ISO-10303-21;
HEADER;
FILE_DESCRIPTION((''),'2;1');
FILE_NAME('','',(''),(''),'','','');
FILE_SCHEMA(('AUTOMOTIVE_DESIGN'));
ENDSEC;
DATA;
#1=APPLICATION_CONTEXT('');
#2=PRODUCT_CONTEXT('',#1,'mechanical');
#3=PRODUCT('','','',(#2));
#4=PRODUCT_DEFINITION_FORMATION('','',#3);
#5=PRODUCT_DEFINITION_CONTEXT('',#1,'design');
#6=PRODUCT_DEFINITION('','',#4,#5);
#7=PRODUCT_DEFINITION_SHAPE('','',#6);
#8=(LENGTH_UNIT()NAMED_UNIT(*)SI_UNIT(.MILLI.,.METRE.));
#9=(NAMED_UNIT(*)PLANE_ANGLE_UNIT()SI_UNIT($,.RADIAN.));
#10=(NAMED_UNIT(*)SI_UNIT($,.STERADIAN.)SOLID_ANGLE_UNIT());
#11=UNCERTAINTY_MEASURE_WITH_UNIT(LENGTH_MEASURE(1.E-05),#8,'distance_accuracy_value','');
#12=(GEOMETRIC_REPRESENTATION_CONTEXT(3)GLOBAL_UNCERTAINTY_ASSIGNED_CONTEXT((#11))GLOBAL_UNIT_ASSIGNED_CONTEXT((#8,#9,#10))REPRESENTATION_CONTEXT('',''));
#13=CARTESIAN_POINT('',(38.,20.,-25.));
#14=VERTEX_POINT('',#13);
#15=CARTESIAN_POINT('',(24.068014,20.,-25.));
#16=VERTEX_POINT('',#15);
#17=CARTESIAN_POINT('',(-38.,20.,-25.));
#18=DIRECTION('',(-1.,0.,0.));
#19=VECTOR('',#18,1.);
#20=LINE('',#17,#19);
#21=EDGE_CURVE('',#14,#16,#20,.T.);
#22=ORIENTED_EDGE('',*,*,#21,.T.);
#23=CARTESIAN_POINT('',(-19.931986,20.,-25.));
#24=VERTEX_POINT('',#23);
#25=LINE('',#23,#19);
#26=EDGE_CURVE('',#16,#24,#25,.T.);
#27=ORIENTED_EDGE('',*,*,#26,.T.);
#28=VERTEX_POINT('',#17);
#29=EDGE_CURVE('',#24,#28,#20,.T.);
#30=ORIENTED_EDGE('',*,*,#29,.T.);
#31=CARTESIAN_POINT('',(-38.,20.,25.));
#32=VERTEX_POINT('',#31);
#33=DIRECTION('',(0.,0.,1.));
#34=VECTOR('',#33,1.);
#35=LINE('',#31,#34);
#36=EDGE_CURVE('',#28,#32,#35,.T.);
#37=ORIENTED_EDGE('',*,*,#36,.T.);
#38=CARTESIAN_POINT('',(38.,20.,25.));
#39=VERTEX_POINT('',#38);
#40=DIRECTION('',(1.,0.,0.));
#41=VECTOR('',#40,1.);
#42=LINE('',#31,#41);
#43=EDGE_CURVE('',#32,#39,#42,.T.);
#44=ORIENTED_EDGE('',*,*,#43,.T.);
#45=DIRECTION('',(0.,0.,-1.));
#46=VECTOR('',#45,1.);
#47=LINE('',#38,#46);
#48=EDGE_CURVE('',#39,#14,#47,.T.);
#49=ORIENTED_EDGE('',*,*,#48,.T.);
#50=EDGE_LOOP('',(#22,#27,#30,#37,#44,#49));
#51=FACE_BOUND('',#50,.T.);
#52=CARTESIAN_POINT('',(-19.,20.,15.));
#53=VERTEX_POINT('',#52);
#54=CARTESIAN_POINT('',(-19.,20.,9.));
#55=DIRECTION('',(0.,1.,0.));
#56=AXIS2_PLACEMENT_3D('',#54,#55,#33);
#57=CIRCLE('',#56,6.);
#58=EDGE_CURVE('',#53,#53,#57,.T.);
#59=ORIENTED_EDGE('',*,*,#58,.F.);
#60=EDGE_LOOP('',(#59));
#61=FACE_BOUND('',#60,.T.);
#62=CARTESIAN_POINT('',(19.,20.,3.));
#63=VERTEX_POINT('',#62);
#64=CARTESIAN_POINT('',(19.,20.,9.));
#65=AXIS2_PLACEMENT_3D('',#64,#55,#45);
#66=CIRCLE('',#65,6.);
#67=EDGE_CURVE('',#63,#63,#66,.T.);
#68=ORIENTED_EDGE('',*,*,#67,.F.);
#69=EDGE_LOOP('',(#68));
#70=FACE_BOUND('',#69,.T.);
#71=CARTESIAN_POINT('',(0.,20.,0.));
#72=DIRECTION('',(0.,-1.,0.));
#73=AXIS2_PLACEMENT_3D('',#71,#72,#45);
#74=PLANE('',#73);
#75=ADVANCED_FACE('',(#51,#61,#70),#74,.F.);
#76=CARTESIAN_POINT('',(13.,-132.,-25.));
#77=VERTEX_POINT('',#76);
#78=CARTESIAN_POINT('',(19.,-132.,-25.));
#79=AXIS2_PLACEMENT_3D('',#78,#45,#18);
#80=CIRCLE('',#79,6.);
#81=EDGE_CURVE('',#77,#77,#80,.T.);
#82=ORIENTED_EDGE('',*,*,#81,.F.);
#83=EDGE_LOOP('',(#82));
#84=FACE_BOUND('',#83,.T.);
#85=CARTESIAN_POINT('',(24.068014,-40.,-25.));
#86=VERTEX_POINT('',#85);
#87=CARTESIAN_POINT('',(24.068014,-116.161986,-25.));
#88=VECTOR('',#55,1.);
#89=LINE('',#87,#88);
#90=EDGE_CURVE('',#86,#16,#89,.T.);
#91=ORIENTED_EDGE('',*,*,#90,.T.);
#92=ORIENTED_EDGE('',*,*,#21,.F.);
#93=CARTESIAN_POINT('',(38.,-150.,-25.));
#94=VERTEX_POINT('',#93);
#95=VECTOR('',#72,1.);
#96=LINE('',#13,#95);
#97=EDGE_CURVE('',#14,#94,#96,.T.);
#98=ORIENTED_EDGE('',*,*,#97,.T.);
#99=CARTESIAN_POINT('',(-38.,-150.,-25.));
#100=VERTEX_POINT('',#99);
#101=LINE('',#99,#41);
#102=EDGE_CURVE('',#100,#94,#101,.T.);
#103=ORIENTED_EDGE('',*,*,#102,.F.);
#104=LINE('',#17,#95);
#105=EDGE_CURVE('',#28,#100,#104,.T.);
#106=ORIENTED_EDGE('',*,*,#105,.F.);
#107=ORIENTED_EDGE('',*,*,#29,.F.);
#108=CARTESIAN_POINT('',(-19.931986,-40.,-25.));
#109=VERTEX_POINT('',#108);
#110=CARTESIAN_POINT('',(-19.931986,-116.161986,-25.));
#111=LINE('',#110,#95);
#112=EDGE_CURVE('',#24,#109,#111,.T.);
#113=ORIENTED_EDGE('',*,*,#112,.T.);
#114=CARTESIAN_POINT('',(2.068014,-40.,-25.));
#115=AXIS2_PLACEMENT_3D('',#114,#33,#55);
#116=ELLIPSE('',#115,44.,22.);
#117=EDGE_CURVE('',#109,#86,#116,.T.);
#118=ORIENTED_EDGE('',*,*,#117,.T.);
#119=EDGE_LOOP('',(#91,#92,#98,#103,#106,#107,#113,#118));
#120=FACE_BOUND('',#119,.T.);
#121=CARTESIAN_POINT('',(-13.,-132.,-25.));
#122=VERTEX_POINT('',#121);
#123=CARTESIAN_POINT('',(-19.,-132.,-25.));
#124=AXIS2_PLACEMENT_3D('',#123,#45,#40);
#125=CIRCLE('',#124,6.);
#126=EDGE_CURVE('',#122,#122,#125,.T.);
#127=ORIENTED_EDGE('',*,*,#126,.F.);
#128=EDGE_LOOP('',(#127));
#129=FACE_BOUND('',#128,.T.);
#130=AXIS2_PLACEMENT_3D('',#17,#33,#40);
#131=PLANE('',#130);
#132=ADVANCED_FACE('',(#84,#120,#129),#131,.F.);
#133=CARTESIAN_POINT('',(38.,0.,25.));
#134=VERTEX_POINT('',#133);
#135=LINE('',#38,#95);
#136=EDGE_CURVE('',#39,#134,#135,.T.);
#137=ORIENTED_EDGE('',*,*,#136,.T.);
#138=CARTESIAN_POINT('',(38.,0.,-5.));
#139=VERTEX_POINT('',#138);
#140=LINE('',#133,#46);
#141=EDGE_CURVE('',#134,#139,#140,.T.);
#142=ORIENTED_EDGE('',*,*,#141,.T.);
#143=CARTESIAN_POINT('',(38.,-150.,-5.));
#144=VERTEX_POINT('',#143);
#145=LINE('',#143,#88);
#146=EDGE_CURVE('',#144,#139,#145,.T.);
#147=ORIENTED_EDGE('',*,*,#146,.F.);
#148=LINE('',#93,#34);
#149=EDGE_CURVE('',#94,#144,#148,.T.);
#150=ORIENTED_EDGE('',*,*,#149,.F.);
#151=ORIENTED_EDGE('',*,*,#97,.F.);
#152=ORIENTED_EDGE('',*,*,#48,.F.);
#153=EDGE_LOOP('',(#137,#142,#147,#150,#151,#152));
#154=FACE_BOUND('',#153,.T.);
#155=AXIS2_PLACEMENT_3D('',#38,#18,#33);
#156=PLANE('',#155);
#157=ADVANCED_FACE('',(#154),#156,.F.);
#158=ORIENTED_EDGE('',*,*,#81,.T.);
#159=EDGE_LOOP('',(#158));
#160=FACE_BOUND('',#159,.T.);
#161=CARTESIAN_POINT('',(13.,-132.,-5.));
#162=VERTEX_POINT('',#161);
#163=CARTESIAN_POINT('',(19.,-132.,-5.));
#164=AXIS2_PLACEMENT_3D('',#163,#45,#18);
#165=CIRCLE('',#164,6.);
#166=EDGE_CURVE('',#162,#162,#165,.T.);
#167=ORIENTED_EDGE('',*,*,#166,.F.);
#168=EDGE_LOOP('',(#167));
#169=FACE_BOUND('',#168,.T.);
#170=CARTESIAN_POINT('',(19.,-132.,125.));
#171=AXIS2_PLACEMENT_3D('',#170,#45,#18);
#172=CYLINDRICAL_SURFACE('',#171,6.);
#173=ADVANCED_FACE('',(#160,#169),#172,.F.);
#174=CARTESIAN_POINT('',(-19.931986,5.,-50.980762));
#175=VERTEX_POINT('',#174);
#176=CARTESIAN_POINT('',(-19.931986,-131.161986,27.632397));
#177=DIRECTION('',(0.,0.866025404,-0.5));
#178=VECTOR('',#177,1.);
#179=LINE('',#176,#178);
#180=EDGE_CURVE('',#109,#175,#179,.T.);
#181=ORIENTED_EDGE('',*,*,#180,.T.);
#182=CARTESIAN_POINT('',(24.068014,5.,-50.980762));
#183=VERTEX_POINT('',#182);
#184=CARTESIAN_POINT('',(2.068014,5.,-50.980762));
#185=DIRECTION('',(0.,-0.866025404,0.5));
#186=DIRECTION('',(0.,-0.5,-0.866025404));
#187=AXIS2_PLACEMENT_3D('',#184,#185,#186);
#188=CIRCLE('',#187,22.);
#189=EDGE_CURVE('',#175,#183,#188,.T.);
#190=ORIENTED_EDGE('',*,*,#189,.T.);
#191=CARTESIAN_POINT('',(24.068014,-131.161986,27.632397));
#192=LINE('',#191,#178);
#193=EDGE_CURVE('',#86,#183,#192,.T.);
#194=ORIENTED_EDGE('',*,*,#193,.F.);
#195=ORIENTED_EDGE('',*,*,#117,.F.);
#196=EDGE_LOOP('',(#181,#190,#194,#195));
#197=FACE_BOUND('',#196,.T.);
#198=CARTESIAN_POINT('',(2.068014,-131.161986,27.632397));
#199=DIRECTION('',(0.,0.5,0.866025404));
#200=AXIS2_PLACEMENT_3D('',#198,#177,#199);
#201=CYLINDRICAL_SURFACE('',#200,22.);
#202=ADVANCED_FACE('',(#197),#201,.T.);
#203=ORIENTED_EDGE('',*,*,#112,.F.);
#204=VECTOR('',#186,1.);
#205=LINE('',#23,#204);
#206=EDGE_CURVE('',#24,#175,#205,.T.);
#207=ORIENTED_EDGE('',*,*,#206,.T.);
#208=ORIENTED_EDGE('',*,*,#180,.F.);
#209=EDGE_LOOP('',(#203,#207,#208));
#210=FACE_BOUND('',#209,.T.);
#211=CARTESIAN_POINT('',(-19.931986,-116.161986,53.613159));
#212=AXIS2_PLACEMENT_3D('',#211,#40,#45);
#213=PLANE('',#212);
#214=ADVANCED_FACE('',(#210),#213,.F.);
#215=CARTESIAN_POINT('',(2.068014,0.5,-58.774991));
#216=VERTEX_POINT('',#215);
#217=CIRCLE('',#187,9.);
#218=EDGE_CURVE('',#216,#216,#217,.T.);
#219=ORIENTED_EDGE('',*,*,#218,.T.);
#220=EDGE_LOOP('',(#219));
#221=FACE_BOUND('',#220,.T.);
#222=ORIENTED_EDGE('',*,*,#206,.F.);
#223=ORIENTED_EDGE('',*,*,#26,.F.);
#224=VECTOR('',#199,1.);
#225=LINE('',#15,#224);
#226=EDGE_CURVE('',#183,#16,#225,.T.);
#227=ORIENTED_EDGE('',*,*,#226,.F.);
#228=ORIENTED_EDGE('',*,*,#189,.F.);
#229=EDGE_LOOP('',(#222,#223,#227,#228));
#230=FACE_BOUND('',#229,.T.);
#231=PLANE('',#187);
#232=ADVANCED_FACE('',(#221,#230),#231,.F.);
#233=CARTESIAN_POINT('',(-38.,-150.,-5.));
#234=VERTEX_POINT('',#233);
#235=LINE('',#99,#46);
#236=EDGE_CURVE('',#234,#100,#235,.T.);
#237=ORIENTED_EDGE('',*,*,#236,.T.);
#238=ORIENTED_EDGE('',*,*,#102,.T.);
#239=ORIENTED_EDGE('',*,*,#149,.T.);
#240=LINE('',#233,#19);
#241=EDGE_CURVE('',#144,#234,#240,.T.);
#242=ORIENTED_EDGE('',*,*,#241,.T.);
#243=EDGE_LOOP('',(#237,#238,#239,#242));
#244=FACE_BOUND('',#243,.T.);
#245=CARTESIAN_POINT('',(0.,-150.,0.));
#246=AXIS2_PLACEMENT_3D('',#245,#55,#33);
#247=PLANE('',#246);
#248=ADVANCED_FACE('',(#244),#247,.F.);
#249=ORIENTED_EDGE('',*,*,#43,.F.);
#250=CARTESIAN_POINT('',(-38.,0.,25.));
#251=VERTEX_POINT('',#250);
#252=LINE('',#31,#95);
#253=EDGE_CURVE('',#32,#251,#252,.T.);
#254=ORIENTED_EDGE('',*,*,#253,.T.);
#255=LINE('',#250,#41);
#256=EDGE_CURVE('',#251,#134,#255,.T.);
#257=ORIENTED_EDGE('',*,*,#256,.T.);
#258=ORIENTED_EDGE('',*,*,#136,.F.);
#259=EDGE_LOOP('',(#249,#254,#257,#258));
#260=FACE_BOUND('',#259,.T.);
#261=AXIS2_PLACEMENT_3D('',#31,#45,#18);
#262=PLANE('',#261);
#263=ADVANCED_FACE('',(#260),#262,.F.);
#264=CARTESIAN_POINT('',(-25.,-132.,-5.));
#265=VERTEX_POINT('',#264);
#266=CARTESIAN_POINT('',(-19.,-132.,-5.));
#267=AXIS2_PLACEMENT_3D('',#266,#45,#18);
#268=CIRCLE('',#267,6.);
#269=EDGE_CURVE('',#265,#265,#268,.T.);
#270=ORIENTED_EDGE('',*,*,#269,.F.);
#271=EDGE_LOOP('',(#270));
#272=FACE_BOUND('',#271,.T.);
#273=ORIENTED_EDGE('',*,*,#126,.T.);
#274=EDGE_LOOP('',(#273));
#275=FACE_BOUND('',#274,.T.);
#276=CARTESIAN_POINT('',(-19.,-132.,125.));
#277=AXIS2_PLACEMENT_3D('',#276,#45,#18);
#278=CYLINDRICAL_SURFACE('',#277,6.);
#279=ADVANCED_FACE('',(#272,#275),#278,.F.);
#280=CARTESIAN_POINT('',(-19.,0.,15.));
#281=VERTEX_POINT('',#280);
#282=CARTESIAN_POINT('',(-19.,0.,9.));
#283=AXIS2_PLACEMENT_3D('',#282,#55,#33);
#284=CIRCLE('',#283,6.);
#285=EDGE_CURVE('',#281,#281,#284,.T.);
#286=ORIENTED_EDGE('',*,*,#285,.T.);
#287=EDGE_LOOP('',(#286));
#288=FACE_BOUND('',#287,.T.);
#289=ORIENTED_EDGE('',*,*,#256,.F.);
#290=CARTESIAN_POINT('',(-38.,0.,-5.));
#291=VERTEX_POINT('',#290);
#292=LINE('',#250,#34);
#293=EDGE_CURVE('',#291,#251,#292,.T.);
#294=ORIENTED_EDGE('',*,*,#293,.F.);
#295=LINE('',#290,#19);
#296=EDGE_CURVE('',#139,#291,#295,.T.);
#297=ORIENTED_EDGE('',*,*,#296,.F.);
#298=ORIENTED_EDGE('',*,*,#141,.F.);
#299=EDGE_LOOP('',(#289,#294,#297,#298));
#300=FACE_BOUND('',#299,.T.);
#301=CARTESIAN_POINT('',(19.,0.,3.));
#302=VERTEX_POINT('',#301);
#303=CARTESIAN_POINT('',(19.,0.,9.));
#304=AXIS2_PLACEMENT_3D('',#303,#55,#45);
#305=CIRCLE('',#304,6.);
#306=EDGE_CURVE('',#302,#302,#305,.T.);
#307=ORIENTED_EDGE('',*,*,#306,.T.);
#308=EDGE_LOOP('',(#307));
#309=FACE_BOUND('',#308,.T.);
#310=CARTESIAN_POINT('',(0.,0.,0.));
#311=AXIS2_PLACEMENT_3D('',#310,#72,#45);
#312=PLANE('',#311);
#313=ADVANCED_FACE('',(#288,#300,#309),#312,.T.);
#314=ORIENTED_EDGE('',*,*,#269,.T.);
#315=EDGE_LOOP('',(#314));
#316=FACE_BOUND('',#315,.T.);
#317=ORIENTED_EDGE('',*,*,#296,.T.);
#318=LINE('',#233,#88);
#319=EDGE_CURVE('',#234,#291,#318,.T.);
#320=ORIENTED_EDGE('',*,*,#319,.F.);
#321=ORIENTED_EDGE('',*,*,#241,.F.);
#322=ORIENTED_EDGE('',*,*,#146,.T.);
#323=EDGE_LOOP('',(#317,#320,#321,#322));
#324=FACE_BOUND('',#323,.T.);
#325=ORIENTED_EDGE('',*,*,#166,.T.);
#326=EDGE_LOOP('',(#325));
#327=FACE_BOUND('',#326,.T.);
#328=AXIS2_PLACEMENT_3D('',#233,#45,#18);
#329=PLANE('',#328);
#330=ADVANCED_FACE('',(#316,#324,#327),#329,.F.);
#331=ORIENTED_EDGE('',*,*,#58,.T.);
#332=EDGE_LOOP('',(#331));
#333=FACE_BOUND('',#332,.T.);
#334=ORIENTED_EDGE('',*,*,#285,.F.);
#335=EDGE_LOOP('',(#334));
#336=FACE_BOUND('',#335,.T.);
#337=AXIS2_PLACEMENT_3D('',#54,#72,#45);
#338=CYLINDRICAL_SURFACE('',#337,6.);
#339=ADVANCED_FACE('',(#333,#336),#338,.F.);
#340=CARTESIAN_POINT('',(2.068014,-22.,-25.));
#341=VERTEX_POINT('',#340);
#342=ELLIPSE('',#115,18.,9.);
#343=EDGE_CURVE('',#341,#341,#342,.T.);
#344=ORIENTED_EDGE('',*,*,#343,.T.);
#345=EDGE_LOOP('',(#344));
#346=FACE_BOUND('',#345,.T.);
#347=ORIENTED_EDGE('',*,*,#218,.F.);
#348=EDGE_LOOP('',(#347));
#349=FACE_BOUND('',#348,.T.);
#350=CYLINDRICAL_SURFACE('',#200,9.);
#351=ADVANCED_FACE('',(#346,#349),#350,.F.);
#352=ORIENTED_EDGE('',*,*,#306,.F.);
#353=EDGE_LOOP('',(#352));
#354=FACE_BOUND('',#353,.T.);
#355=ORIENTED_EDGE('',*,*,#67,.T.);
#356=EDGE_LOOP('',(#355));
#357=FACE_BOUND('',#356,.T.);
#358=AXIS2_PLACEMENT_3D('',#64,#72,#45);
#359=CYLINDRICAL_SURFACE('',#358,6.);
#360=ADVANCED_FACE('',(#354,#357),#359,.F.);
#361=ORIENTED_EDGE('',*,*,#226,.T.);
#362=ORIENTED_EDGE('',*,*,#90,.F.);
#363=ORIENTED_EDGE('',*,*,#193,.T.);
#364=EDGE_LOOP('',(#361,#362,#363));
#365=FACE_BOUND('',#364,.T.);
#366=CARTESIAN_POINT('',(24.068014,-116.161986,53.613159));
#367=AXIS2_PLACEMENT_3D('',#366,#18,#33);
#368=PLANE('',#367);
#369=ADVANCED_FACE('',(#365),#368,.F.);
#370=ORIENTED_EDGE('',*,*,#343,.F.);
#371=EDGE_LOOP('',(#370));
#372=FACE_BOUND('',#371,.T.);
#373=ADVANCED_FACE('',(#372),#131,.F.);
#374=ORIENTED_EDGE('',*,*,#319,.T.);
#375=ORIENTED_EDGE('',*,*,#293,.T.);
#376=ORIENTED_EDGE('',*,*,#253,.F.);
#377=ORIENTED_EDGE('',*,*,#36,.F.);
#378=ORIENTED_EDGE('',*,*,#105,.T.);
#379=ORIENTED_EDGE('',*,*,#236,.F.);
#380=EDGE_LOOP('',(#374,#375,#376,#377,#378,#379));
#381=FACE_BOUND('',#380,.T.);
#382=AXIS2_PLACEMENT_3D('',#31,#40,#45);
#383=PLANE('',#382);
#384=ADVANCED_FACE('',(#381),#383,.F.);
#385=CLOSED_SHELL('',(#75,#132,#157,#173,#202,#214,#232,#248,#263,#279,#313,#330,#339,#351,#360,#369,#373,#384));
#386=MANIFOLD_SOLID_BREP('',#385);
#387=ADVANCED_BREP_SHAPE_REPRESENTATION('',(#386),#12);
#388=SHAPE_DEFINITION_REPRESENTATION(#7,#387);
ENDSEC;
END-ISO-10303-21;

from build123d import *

# Parameters (mm, degrees)
SKETCH1_W           = 76
SKETCH1_H           = 50
SKETCH1_R           = 6
BOSS_EXTRUDE1_DEPTH = 20
SKETCH2_W           = 76
SKETCH2_H           = 20
BOSS_EXTRUDE2_DEPTH = 150
SKETCH3_R           = 6
CUT_EXTRUDE1_DEPTH  = 150
BOSS_EXTRUDE3_REACH = 186.259
SKETCH5_R           = 9


with BuildPart() as part:
    # Sketch1 → Boss-Extrude1 (new body)
    with BuildSketch(Plane(origin=(0, 0, 0), x_dir=(1, 0, 0), z_dir=(0, 1, 0))):
        Rectangle(SKETCH1_W, SKETCH1_H)
        with Locations(Location((-19, -9, 0), (0, 0, 270))):
            Circle(SKETCH1_R, mode=Mode.SUBTRACT)
        with Locations(Location((19, -9, 0), (0, 0, 90))):
            Circle(SKETCH1_R, mode=Mode.SUBTRACT)
    extrude(amount=BOSS_EXTRUDE1_DEPTH)

    # Sketch2 → Boss-Extrude2 (add)
    with BuildSketch(Plane.XZ):
        with Locations((0, -15)):
            Rectangle(SKETCH2_W, SKETCH2_H)
    extrude(amount=BOSS_EXTRUDE2_DEPTH)

    # Sketch3 → Cut-Extrude1 (cut)
    with BuildSketch(Plane(origin=(0, 0, -25), x_dir=(-1, 0, 0), z_dir=(0, 0, -1))):
        with Locations((-19, -132)):
            Circle(SKETCH3_R)
        with Locations((19, -132)):
            Circle(SKETCH3_R)
    extrude(amount=-CUT_EXTRUDE1_DEPTH, mode=Mode.SUBTRACT)

    # Sketch5 → Boss-Extrude3 (add, up to next)
    with BuildSketch(Plane(origin=(0, 25.825317547, -14.910254038), x_dir=(1, 0, 0), z_dir=(0, -0.8660254037844399, 0.4999999999999977)), mode=Mode.PRIVATE) as boss_extrude3_sk1:
        with BuildLine():
            Line((-19.931985631, -11.650635095), (24.068014369, -11.650635095))
            Line((24.068014369, -11.650635095), (24.068014369, -41.650635095))
            ThreePointArc((24.068014369, -41.650635095), (2.068014369, -63.650635095), (-19.931985631, -41.650635095))
            Line((-19.931985631, -41.650635095), (-19.931985631, -11.650635095))
        make_face()
        with Locations(Location((2.068014369, -41.650635095, 0), (0, 0, 90))):
            Circle(SKETCH5_R, mode=Mode.SUBTRACT)
    boss_extrude3_tool1 = extrude(boss_extrude3_sk1.sketch, amount=BOSS_EXTRUDE3_REACH, mode=Mode.PRIVATE) - part.part
    add(boss_extrude3_tool1.solids().sort_by_distance((-19.25081, 12.5, -37.990381))[0])


solid = part.part
